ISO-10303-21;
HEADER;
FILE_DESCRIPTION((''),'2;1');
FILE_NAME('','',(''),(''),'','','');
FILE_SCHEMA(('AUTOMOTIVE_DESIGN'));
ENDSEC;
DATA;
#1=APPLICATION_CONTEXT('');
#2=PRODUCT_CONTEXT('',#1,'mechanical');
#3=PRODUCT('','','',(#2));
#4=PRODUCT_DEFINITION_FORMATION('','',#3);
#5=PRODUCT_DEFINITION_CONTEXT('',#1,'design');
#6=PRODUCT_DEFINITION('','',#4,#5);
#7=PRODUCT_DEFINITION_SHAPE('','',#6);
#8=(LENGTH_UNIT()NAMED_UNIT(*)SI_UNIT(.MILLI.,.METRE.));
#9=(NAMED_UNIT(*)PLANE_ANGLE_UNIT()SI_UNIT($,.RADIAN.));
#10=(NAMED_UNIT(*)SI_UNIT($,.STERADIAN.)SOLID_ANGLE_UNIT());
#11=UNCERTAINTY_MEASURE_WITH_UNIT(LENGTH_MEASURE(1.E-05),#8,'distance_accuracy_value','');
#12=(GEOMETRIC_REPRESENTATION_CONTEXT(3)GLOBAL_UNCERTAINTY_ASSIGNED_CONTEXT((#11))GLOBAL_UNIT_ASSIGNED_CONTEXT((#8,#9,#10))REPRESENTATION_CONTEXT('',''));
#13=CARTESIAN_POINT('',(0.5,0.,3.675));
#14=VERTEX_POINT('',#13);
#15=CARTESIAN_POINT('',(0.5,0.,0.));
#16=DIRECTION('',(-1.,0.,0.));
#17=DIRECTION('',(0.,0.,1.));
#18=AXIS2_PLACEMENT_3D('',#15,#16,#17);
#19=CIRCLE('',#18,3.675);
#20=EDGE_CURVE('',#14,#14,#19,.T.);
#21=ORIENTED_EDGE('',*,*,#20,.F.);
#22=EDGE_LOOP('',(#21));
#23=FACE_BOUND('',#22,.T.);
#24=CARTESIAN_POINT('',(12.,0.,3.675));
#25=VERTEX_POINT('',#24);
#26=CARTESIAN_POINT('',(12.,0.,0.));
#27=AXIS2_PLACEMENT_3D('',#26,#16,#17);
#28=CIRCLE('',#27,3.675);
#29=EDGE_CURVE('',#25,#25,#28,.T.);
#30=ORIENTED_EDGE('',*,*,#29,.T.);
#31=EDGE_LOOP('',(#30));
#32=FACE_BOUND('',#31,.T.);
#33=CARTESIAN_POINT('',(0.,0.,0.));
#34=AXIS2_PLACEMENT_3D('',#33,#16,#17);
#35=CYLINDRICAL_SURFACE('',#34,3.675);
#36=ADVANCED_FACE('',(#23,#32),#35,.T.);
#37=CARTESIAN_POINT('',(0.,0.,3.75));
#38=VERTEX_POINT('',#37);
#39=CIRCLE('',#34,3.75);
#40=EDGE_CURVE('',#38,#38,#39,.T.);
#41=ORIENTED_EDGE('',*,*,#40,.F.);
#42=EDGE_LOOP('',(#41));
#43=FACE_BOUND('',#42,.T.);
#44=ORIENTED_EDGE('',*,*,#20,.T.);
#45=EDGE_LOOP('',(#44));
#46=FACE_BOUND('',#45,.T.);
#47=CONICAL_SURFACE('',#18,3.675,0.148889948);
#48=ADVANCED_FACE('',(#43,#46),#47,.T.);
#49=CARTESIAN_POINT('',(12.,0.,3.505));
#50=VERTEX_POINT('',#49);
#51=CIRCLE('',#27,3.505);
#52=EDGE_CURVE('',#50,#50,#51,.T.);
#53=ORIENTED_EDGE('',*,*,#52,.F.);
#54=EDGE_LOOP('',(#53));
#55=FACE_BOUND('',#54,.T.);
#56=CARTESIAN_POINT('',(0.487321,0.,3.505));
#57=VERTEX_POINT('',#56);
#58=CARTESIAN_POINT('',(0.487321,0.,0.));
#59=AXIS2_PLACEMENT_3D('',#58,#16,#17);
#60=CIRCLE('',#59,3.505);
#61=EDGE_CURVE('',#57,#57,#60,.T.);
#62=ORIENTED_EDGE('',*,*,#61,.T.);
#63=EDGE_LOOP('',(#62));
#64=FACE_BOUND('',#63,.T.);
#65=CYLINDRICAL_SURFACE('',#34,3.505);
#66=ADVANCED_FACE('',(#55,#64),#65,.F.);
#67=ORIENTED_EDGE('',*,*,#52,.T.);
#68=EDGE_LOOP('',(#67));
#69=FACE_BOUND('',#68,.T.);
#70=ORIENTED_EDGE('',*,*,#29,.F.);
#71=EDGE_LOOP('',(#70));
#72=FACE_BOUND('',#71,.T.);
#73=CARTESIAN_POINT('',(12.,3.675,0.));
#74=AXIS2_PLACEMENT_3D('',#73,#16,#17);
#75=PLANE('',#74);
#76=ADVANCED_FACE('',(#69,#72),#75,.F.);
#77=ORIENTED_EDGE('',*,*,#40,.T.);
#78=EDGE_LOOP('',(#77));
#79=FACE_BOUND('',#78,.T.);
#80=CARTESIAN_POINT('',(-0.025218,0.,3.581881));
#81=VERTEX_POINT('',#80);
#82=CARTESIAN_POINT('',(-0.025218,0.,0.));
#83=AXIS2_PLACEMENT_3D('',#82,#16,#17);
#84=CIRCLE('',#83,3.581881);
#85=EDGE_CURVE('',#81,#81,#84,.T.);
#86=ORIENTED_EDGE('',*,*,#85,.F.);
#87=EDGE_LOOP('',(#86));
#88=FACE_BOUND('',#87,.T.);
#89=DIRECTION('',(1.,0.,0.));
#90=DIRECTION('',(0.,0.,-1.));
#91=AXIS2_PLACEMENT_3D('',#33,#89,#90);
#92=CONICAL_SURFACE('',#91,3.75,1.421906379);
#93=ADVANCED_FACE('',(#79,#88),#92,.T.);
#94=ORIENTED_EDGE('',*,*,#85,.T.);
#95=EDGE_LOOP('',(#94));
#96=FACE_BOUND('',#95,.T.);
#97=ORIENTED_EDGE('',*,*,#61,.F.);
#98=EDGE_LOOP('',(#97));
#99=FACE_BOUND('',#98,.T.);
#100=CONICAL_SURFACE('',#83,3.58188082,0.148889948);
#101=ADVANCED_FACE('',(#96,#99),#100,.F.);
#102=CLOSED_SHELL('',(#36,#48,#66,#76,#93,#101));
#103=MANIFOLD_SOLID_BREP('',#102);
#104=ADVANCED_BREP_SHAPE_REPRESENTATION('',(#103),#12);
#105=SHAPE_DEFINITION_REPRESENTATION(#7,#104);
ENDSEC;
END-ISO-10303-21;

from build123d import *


with BuildPart() as part:
    # Esboço2 → Revolução1 (revolve)
    with BuildSketch(Plane.XY, mode=Mode.PRIVATE) as revolu_o1_sk:
        Polygon((0, 3.75), (0.5, 3.675), (12, 3.675), (12, 3.505), (0.487320923, 3.505), (-0.025217877, 3.58188082), align=None)
    revolve(revolu_o1_sk.sketch.rotate(Axis((0, 0, 0), (1, 0, 0)), 90), axis=Axis((0, 0, 0), (1, 0, 0)))


solid = part.part
